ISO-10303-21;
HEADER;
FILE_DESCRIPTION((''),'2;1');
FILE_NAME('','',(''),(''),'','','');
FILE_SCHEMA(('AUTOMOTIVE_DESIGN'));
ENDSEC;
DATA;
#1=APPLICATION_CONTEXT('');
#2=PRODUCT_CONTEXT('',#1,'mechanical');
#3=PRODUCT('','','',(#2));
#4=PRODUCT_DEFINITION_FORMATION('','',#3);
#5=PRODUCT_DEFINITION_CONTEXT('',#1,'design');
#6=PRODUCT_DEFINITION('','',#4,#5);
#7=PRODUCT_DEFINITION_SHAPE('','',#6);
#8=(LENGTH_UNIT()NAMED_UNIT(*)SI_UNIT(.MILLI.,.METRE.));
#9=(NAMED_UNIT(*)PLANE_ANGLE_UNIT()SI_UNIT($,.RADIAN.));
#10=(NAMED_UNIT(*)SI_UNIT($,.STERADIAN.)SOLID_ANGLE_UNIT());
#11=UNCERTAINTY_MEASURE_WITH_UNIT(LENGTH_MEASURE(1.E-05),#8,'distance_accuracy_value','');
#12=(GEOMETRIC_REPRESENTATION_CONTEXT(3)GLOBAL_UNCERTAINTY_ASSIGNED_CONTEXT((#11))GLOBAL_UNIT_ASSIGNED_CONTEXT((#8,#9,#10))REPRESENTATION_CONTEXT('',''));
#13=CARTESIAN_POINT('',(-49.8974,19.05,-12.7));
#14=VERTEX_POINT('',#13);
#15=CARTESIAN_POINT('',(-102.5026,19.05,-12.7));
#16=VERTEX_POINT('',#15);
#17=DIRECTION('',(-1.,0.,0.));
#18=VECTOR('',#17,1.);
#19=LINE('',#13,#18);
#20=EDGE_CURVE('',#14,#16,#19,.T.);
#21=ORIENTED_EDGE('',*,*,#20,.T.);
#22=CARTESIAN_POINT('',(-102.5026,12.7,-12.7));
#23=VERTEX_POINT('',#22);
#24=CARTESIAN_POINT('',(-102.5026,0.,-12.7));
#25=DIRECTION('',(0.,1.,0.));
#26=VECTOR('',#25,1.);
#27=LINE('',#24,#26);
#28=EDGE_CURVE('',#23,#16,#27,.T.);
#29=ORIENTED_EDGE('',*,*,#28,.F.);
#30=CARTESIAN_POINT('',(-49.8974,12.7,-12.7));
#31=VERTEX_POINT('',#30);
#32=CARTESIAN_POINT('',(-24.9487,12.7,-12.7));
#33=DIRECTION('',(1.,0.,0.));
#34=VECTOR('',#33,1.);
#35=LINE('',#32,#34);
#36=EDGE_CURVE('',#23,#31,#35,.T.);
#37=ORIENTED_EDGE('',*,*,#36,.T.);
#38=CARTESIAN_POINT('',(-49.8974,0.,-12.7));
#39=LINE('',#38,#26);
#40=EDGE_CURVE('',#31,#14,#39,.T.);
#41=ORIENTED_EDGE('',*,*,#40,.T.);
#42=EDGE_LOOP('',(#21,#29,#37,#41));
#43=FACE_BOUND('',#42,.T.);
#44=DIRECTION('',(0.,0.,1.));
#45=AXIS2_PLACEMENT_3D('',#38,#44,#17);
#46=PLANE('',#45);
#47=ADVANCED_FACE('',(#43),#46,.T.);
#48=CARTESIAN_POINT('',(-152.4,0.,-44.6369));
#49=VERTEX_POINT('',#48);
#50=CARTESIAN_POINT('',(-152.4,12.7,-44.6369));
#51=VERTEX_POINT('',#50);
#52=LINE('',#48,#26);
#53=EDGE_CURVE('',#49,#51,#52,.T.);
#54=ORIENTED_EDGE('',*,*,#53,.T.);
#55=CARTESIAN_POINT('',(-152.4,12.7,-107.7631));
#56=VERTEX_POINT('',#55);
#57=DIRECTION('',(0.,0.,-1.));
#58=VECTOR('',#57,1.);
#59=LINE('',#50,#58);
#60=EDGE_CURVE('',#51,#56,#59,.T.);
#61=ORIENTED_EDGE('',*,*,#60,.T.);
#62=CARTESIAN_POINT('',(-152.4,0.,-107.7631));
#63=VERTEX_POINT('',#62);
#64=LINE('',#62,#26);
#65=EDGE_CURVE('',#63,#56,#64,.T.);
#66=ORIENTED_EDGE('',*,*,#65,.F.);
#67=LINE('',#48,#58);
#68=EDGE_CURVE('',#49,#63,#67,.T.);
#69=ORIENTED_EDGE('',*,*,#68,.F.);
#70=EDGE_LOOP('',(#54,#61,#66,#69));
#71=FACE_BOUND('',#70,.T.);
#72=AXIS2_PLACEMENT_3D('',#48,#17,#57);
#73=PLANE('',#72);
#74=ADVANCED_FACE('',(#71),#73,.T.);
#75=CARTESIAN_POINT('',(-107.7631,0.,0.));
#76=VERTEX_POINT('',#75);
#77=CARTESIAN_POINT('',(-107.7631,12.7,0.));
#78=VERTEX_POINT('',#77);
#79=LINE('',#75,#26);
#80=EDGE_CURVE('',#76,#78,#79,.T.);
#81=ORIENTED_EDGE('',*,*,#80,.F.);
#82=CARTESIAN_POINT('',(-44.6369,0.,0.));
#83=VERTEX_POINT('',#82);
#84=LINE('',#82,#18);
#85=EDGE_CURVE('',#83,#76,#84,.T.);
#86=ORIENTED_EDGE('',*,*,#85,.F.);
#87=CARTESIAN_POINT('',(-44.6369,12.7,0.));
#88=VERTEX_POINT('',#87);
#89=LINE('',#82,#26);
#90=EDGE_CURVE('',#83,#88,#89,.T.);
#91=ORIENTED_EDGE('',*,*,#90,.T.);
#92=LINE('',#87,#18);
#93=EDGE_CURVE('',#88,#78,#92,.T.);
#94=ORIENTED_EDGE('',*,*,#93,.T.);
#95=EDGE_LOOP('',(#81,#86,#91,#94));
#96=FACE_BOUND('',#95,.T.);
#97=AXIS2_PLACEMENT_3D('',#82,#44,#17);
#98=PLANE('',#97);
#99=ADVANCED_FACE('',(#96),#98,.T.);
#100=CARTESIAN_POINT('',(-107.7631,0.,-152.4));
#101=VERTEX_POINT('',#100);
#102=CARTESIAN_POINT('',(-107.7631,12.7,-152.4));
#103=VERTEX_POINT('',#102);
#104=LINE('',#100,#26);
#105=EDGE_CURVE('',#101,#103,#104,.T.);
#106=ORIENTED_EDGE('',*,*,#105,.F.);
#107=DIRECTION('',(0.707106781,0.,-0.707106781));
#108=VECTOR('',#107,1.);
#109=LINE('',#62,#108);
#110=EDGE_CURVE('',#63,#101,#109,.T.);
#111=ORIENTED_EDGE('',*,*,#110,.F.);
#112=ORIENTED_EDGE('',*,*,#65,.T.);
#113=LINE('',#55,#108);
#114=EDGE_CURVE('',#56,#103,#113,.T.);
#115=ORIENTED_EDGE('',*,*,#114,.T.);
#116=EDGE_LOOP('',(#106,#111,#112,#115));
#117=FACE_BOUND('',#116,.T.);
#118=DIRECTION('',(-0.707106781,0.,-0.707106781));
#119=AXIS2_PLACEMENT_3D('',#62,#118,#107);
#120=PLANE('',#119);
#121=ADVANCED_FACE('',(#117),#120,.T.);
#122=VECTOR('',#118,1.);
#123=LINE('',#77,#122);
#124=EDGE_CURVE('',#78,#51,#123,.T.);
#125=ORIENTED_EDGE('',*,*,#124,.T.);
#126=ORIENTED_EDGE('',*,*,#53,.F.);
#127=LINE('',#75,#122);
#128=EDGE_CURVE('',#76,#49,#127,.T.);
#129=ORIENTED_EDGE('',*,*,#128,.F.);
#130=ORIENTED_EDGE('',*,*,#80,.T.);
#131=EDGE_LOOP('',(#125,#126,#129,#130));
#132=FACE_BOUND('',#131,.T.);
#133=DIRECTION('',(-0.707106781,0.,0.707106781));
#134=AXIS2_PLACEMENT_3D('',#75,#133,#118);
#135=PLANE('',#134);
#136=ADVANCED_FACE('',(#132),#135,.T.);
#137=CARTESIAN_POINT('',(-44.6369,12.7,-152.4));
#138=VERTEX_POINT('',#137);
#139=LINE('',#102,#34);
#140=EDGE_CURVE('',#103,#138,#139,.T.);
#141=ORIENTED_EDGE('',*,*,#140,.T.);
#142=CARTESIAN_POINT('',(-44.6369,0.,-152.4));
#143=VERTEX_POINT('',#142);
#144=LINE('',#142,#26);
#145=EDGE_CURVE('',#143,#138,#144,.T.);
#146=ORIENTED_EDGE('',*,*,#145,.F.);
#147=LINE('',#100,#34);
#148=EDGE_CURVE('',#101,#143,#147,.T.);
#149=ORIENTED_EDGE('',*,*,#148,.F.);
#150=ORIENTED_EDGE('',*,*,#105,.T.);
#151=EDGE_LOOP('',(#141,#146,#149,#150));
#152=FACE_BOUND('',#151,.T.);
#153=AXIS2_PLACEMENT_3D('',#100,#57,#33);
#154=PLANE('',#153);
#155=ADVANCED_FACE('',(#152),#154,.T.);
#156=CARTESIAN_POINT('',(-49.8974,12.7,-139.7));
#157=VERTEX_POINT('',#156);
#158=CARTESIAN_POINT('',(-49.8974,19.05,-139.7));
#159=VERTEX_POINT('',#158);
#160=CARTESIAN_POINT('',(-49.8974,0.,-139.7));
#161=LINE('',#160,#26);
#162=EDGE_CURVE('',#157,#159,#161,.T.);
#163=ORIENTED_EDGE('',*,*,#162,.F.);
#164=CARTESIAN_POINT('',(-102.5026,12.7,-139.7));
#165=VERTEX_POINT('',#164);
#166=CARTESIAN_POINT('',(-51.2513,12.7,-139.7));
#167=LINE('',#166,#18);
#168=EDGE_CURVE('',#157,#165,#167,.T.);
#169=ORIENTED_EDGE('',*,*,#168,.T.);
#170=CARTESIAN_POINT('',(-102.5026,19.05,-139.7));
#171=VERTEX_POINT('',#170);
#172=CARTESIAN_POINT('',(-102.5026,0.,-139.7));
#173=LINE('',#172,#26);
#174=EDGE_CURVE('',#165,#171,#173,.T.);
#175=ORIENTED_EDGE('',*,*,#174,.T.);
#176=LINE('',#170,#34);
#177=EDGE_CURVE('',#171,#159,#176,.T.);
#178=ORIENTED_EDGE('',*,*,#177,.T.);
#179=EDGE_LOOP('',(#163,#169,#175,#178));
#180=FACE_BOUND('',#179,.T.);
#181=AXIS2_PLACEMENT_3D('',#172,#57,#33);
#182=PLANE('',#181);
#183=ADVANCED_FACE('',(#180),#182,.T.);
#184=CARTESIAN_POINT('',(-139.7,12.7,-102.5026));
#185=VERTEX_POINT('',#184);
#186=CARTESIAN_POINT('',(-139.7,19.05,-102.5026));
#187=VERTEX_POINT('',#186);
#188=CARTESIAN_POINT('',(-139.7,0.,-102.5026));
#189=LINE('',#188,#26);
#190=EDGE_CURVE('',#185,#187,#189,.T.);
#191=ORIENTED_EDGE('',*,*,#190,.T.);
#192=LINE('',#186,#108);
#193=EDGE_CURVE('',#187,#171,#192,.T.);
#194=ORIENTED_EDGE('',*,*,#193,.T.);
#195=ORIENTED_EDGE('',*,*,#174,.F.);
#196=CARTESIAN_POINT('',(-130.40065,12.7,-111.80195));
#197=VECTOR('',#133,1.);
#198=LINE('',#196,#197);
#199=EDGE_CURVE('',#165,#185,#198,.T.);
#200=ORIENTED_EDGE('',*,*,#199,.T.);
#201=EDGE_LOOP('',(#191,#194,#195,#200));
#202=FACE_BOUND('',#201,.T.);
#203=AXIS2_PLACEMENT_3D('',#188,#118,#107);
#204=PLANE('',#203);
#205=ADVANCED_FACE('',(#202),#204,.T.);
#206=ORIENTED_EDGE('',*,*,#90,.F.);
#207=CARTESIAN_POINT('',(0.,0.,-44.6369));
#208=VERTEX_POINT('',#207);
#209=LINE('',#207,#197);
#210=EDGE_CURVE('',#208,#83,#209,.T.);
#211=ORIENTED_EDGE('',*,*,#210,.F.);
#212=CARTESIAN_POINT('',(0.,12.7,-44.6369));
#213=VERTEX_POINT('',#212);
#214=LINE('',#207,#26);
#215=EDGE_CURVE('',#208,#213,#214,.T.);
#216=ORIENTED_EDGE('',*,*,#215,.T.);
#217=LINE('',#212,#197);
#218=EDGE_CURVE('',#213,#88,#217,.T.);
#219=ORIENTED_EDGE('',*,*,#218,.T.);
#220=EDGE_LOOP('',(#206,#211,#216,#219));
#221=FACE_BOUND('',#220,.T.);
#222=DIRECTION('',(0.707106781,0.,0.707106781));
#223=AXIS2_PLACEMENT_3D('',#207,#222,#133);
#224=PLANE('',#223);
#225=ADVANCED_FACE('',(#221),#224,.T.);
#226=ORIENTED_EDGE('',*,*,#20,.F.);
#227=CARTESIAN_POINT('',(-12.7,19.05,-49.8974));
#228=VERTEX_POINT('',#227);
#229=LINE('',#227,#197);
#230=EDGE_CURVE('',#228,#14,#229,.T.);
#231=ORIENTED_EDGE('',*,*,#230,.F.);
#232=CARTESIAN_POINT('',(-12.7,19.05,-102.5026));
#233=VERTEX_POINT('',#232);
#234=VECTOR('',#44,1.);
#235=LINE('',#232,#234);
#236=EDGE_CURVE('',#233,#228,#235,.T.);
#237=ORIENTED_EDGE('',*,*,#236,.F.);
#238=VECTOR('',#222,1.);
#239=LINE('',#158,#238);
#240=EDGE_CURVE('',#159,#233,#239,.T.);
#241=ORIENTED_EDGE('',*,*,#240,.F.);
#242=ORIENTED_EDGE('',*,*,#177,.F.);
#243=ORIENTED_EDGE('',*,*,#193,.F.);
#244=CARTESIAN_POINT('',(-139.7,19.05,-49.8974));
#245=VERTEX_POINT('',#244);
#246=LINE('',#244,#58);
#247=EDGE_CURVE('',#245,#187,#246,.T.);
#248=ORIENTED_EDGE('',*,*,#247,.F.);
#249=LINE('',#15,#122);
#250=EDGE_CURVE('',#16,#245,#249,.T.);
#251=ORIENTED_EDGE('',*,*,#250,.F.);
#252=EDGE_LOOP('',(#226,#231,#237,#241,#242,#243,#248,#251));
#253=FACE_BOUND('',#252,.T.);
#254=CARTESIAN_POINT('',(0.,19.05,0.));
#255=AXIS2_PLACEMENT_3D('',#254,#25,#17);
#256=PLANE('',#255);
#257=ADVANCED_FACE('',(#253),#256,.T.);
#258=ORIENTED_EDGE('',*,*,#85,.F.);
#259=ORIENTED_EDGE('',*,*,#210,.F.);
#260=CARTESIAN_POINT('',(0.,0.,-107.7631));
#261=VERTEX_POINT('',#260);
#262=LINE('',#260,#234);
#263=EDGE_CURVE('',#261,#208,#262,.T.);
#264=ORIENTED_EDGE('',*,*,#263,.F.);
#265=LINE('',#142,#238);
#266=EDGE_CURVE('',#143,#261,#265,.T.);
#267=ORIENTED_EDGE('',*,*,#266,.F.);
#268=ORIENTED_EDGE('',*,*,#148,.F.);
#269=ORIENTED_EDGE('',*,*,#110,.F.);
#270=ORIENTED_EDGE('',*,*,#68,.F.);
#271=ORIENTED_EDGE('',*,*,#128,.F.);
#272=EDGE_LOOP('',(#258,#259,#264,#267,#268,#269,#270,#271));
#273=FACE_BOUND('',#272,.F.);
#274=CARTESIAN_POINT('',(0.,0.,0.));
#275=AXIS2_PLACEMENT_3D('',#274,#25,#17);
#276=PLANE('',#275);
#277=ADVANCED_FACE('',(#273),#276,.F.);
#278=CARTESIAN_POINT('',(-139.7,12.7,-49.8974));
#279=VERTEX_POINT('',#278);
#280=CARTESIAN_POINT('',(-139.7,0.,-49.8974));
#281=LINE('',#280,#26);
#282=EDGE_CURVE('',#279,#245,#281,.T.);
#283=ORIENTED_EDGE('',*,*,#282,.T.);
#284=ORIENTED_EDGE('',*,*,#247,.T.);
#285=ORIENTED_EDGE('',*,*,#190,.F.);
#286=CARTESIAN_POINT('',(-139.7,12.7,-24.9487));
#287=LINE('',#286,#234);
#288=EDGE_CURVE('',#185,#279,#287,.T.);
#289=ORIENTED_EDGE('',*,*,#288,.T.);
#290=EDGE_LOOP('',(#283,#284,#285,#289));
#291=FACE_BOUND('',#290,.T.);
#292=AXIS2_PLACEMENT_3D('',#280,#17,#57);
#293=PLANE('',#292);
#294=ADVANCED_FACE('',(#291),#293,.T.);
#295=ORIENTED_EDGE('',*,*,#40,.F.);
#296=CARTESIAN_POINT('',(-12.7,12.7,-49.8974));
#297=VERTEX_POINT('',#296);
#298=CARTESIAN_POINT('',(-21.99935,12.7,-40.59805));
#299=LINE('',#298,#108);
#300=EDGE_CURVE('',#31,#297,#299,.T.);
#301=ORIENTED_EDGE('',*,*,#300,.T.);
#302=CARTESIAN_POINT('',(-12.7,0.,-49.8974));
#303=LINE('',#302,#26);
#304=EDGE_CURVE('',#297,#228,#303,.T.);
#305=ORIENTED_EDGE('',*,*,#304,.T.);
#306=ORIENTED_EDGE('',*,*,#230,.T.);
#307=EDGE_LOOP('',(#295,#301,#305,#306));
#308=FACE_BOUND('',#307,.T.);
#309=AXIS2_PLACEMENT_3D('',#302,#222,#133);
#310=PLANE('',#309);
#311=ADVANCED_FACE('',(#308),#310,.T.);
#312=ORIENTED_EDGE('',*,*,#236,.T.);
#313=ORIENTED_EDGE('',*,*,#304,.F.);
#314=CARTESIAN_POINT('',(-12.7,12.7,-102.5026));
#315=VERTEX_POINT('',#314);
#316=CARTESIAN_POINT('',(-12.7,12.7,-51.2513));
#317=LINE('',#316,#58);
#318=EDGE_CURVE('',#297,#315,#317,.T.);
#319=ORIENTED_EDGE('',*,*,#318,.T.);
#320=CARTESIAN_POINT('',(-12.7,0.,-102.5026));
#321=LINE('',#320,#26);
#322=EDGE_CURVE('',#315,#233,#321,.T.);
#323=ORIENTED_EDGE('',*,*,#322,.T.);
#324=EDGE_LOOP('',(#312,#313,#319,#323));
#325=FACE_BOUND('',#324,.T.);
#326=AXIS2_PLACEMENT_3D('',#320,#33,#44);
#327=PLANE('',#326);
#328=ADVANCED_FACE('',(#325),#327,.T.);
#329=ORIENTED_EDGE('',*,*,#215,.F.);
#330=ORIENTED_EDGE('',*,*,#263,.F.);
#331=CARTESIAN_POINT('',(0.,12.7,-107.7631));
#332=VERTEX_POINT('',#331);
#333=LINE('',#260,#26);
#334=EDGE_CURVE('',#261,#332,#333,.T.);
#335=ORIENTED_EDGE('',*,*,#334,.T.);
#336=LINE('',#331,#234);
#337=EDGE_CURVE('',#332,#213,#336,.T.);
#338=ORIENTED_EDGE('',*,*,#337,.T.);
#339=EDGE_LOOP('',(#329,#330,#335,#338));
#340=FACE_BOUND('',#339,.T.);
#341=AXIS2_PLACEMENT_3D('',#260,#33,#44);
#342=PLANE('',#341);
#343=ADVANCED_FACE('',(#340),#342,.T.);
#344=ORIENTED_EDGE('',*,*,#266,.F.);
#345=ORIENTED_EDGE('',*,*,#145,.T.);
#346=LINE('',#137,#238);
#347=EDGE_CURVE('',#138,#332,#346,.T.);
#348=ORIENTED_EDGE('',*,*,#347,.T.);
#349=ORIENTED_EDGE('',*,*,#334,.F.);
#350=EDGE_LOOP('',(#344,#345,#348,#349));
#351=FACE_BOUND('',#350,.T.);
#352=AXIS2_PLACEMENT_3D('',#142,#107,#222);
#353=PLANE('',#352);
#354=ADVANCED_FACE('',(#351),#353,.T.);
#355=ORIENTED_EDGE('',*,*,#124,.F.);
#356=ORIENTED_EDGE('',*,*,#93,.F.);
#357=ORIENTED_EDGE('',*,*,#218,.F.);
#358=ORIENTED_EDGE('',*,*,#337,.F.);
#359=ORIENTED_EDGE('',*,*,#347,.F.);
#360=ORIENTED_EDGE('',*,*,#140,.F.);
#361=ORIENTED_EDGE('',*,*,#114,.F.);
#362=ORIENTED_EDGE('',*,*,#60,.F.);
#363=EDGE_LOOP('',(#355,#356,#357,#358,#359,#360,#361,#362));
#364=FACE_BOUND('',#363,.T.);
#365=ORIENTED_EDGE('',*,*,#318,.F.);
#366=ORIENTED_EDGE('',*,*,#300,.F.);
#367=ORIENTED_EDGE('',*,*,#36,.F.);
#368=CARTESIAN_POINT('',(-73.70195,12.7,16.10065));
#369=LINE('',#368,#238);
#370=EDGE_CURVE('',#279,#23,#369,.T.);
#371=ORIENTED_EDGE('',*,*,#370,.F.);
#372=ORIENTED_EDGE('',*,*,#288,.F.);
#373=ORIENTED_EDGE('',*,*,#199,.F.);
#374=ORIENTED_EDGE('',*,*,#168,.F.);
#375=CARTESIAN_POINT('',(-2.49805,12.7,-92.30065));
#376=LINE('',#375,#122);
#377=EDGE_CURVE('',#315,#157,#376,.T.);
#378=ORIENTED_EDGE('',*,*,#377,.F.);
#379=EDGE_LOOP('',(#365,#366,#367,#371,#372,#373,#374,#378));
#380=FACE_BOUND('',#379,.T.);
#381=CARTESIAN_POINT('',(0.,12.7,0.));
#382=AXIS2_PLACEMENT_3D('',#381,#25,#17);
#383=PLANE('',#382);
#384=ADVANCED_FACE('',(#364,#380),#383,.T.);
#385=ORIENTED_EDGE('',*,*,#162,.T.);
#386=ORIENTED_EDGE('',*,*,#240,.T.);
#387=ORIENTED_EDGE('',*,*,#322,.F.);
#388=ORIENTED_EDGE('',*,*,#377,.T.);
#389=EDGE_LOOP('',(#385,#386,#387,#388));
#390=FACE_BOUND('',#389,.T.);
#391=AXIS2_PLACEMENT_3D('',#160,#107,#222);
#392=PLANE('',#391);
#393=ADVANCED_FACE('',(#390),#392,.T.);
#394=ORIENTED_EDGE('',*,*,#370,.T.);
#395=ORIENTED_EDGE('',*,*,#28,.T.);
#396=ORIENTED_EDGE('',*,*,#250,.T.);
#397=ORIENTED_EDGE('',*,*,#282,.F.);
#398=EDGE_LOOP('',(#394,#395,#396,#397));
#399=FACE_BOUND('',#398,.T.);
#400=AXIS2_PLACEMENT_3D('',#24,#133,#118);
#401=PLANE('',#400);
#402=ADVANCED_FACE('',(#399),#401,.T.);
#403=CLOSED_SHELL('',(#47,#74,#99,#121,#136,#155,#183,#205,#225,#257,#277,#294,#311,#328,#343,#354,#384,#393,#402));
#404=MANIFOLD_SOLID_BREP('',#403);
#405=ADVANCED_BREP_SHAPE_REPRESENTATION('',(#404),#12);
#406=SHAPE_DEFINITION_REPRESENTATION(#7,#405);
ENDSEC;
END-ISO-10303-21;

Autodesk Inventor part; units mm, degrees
ref_plane "YZ Plane" through (0, 0, 0) normal (1, 0, 0) x (0, 1, 0)
ref_plane "XZ Plane" through (0, 0, 0) normal (0, 1, 0) x (-1, 0, 0)
ref_plane "XY Plane" through (0, 0, 0) normal (0, 0, 1) x (1, 0, 0)
sketch "Sketch1" plane through (0, 0, 0) normal (0, 1, 0) x (-1, 0, 0)
  line L0 (0, 0) -> (152.4, 0) construction
  line L1 (152.4, 0) -> (152.4, -152.4) construction
  line L2 (152.4, -152.4) -> (0, -152.4) construction
  line L3 (0, -152.4) -> (0, 0) construction
  line L4 (44.6369, -152.4) -> (0, -107.7631)
  line L5 (0, -107.7631) -> (0, -44.6369)
  line L6 (0, -44.6369) -> (44.6369, 0)
  line L7 (44.6369, 0) -> (107.7631, 0)
  line L8 (107.7631, 0) -> (152.4, -44.6369)
  line L9 (152.4, -44.6369) -> (152.4, -107.7631)
  line L10 (152.4, -107.7631) -> (107.7631, -152.4)
  line L11 (107.7631, -152.4) -> (44.6369, -152.4)
  line L12 (102.5026, -12.7) -> (139.7, -49.8974)
  line L13 (139.7, -49.8974) -> (139.7, -102.5026)
  line L14 (139.7, -102.5026) -> (102.5026, -139.7)
  line L15 (102.5026, -139.7) -> (49.8974, -139.7)
  line L16 (49.8974, -139.7) -> (12.7, -102.5026)
  line L17 (12.7, -102.5026) -> (12.7, -49.8974)
  line L18 (12.7, -49.8974) -> (49.8974, -12.7)
  line L19 (49.8974, -12.7) -> (102.5026, -12.7)
  point P0 (76.2, -76.2)
  point P1 (76.2, -76.2)
  point P2 (76.2, -76.2)
  dimension "d0" = 152.4
  dimension "d1" = 152.4
  dimension "d2" = 12.7
  dimension "d3" = 63.1262
  dimension "d4" = 52.6051
sketch "Sketch2" plane through (0, 0, 0) normal (0, 1, 0) x (-1, 0, 0)
  line L0 (0, 0) -> (152.4, 0) construction
  line L1 (152.4, 0) -> (152.4, -152.4) construction
  line L2 (152.4, -152.4) -> (0, -152.4) construction
  line L3 (0, -152.4) -> (0, 0) construction
  line L4 (44.6369, -152.4) -> (0, -107.7631)
  line L5 (0, -107.7631) -> (0, -44.6369)
  line L6 (0, -44.6369) -> (44.6369, 0)
  line L7 (44.6369, 0) -> (107.7631, 0)
  line L8 (107.7631, 0) -> (152.4, -44.6369)
  line L9 (152.4, -44.6369) -> (152.4, -107.7631)
  line L10 (152.4, -107.7631) -> (107.7631, -152.4)
  line L11 (107.7631, -152.4) -> (44.6369, -152.4)
  line L12 (102.5026, -12.7) -> (139.7, -49.8974)
  line L13 (139.7, -49.8974) -> (139.7, -102.5026)
  line L14 (139.7, -102.5026) -> (102.5026, -139.7)
  line L15 (102.5026, -139.7) -> (49.8974, -139.7)
  line L16 (49.8974, -139.7) -> (12.7, -102.5026)
  line L17 (12.7, -102.5026) -> (12.7, -49.8974)
  line L18 (12.7, -49.8974) -> (49.8974, -12.7)
  line L19 (49.8974, -12.7) -> (102.5026, -12.7)
  point P0 (76.2, -76.2)
  point P1 (76.2, -76.2)
  point P2 (76.2, -76.2)
  dimension "d5" = 152.4
  dimension "d6" = 152.4
  dimension "d7" = 12.7
  dimension "d8" = 63.1262
  dimension "d9" = 52.6051
extrude "Extrusion1" add sketch "Sketch1" along normal blind 12.7 contours L4 L5 L6 L7 L8 L9 L10 L11 | L12 L13 L14 L15 L16 L17 L18 L19
extrude "Extrusion2" add sketch "Sketch2" along normal blind 19.05 contours L12 L13 L14 L15 L16 L17 L18 L19
properties part number "SatelliteTopFace"
